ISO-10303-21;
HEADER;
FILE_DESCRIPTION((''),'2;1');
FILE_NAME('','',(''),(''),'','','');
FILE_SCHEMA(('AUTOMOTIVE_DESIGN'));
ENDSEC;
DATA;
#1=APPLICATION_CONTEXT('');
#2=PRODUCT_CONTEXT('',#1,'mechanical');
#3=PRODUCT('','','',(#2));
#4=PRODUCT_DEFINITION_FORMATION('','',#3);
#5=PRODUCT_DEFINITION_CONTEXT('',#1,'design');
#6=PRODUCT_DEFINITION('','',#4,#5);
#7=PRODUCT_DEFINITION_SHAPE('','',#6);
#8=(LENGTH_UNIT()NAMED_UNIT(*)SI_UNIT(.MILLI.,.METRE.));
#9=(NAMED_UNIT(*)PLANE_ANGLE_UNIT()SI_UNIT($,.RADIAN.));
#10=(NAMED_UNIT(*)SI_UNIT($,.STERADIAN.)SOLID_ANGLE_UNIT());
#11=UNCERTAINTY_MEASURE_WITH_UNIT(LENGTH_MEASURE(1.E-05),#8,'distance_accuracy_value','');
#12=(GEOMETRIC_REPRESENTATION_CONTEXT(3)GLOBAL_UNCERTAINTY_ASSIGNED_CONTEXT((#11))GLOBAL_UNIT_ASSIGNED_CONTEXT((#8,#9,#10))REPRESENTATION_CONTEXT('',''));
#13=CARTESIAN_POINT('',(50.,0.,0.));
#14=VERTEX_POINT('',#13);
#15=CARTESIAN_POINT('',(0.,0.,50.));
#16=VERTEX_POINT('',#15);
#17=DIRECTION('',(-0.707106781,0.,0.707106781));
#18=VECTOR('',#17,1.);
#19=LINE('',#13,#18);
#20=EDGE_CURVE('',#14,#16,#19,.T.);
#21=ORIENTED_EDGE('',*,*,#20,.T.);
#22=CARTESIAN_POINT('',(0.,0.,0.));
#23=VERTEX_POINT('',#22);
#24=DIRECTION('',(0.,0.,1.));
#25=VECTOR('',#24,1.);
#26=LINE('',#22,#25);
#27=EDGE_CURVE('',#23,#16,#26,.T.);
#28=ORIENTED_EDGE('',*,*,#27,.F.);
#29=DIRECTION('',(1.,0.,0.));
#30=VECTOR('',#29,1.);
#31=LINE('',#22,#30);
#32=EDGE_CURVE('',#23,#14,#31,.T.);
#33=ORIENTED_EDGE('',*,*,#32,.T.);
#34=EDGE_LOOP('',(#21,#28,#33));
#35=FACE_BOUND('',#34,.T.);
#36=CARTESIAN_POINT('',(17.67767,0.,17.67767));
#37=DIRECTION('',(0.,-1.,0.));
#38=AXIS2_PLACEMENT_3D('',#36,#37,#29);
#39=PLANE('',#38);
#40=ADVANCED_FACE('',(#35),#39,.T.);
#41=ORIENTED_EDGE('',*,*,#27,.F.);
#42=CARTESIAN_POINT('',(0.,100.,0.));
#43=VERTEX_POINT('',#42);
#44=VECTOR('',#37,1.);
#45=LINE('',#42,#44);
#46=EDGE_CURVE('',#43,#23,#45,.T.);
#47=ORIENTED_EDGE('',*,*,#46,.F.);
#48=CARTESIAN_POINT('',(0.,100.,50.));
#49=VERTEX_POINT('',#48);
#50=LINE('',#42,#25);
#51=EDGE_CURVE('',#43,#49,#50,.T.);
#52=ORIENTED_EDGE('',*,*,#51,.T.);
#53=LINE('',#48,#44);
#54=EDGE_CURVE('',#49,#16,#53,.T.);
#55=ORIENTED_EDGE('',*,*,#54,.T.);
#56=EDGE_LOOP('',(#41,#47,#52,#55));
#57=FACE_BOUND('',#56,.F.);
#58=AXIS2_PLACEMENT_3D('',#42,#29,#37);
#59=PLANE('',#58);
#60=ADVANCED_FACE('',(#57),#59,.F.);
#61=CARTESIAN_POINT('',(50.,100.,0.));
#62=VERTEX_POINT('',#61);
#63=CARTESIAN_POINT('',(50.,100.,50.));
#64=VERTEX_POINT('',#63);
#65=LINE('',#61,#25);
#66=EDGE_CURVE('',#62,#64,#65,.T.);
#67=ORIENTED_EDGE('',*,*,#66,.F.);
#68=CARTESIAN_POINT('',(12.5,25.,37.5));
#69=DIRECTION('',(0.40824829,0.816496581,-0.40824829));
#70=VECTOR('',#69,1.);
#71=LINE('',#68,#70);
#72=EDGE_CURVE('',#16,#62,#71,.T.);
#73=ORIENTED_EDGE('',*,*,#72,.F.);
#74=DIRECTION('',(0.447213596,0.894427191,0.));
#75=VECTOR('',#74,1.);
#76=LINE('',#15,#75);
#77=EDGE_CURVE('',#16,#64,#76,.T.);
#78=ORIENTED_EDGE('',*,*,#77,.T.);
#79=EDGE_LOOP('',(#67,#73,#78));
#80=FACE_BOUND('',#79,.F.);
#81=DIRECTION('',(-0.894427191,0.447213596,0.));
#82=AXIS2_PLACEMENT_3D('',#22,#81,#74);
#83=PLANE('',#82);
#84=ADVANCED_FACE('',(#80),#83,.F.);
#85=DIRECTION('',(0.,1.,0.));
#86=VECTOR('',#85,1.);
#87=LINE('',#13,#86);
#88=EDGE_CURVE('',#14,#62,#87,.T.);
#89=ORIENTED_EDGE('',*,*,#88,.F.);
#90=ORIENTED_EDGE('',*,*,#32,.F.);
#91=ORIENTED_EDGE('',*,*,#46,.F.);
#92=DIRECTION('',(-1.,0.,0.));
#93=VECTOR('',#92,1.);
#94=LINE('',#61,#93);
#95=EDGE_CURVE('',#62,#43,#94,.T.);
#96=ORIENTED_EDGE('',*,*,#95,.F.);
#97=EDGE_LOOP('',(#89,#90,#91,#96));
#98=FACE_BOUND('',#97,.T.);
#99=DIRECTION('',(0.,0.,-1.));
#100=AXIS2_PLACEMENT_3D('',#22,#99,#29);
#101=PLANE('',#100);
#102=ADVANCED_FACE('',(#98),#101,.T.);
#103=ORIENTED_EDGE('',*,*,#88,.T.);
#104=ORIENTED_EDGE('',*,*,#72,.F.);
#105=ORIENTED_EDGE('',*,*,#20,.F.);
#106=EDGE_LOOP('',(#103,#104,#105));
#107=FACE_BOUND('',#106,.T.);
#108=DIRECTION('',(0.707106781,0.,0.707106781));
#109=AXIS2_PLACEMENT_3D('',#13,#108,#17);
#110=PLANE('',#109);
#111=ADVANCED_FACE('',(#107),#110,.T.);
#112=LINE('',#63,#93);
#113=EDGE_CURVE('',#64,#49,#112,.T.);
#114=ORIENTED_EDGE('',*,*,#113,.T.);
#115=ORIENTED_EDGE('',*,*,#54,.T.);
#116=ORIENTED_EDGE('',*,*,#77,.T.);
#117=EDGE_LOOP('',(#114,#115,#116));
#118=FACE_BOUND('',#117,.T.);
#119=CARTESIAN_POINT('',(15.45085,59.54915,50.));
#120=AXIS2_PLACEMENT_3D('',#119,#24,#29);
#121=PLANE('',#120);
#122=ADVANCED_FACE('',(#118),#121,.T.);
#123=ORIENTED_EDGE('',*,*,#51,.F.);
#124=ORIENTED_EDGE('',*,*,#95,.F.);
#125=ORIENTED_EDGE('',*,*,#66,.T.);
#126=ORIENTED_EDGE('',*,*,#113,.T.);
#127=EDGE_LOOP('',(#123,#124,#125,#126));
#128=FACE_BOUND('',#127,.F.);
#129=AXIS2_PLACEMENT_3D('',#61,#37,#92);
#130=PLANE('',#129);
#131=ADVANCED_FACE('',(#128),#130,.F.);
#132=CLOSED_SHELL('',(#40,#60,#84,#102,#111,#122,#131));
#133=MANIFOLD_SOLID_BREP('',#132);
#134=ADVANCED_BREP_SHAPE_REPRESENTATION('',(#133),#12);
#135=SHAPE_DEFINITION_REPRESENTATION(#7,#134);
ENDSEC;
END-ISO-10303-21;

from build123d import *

# Parameters (mm, degrees)
F1_DEPTH = 50
F3_DEPTH = 100


with BuildPart() as f1:
    # F0 (on Top) → F1 (new body)
    with BuildSketch(Plane.XY):
        Polygon((0, 100), (0, 0), (50, 100), align=None)
    extrude(amount=F1_DEPTH)

    # F2 (on Front) → F3 (join, through all)
    with BuildSketch(Plane.XZ):
        Polygon((50, 0), (0, 50), (0, 0), align=None)
    extrude(amount=-F3_DEPTH)


solid = f1.part
